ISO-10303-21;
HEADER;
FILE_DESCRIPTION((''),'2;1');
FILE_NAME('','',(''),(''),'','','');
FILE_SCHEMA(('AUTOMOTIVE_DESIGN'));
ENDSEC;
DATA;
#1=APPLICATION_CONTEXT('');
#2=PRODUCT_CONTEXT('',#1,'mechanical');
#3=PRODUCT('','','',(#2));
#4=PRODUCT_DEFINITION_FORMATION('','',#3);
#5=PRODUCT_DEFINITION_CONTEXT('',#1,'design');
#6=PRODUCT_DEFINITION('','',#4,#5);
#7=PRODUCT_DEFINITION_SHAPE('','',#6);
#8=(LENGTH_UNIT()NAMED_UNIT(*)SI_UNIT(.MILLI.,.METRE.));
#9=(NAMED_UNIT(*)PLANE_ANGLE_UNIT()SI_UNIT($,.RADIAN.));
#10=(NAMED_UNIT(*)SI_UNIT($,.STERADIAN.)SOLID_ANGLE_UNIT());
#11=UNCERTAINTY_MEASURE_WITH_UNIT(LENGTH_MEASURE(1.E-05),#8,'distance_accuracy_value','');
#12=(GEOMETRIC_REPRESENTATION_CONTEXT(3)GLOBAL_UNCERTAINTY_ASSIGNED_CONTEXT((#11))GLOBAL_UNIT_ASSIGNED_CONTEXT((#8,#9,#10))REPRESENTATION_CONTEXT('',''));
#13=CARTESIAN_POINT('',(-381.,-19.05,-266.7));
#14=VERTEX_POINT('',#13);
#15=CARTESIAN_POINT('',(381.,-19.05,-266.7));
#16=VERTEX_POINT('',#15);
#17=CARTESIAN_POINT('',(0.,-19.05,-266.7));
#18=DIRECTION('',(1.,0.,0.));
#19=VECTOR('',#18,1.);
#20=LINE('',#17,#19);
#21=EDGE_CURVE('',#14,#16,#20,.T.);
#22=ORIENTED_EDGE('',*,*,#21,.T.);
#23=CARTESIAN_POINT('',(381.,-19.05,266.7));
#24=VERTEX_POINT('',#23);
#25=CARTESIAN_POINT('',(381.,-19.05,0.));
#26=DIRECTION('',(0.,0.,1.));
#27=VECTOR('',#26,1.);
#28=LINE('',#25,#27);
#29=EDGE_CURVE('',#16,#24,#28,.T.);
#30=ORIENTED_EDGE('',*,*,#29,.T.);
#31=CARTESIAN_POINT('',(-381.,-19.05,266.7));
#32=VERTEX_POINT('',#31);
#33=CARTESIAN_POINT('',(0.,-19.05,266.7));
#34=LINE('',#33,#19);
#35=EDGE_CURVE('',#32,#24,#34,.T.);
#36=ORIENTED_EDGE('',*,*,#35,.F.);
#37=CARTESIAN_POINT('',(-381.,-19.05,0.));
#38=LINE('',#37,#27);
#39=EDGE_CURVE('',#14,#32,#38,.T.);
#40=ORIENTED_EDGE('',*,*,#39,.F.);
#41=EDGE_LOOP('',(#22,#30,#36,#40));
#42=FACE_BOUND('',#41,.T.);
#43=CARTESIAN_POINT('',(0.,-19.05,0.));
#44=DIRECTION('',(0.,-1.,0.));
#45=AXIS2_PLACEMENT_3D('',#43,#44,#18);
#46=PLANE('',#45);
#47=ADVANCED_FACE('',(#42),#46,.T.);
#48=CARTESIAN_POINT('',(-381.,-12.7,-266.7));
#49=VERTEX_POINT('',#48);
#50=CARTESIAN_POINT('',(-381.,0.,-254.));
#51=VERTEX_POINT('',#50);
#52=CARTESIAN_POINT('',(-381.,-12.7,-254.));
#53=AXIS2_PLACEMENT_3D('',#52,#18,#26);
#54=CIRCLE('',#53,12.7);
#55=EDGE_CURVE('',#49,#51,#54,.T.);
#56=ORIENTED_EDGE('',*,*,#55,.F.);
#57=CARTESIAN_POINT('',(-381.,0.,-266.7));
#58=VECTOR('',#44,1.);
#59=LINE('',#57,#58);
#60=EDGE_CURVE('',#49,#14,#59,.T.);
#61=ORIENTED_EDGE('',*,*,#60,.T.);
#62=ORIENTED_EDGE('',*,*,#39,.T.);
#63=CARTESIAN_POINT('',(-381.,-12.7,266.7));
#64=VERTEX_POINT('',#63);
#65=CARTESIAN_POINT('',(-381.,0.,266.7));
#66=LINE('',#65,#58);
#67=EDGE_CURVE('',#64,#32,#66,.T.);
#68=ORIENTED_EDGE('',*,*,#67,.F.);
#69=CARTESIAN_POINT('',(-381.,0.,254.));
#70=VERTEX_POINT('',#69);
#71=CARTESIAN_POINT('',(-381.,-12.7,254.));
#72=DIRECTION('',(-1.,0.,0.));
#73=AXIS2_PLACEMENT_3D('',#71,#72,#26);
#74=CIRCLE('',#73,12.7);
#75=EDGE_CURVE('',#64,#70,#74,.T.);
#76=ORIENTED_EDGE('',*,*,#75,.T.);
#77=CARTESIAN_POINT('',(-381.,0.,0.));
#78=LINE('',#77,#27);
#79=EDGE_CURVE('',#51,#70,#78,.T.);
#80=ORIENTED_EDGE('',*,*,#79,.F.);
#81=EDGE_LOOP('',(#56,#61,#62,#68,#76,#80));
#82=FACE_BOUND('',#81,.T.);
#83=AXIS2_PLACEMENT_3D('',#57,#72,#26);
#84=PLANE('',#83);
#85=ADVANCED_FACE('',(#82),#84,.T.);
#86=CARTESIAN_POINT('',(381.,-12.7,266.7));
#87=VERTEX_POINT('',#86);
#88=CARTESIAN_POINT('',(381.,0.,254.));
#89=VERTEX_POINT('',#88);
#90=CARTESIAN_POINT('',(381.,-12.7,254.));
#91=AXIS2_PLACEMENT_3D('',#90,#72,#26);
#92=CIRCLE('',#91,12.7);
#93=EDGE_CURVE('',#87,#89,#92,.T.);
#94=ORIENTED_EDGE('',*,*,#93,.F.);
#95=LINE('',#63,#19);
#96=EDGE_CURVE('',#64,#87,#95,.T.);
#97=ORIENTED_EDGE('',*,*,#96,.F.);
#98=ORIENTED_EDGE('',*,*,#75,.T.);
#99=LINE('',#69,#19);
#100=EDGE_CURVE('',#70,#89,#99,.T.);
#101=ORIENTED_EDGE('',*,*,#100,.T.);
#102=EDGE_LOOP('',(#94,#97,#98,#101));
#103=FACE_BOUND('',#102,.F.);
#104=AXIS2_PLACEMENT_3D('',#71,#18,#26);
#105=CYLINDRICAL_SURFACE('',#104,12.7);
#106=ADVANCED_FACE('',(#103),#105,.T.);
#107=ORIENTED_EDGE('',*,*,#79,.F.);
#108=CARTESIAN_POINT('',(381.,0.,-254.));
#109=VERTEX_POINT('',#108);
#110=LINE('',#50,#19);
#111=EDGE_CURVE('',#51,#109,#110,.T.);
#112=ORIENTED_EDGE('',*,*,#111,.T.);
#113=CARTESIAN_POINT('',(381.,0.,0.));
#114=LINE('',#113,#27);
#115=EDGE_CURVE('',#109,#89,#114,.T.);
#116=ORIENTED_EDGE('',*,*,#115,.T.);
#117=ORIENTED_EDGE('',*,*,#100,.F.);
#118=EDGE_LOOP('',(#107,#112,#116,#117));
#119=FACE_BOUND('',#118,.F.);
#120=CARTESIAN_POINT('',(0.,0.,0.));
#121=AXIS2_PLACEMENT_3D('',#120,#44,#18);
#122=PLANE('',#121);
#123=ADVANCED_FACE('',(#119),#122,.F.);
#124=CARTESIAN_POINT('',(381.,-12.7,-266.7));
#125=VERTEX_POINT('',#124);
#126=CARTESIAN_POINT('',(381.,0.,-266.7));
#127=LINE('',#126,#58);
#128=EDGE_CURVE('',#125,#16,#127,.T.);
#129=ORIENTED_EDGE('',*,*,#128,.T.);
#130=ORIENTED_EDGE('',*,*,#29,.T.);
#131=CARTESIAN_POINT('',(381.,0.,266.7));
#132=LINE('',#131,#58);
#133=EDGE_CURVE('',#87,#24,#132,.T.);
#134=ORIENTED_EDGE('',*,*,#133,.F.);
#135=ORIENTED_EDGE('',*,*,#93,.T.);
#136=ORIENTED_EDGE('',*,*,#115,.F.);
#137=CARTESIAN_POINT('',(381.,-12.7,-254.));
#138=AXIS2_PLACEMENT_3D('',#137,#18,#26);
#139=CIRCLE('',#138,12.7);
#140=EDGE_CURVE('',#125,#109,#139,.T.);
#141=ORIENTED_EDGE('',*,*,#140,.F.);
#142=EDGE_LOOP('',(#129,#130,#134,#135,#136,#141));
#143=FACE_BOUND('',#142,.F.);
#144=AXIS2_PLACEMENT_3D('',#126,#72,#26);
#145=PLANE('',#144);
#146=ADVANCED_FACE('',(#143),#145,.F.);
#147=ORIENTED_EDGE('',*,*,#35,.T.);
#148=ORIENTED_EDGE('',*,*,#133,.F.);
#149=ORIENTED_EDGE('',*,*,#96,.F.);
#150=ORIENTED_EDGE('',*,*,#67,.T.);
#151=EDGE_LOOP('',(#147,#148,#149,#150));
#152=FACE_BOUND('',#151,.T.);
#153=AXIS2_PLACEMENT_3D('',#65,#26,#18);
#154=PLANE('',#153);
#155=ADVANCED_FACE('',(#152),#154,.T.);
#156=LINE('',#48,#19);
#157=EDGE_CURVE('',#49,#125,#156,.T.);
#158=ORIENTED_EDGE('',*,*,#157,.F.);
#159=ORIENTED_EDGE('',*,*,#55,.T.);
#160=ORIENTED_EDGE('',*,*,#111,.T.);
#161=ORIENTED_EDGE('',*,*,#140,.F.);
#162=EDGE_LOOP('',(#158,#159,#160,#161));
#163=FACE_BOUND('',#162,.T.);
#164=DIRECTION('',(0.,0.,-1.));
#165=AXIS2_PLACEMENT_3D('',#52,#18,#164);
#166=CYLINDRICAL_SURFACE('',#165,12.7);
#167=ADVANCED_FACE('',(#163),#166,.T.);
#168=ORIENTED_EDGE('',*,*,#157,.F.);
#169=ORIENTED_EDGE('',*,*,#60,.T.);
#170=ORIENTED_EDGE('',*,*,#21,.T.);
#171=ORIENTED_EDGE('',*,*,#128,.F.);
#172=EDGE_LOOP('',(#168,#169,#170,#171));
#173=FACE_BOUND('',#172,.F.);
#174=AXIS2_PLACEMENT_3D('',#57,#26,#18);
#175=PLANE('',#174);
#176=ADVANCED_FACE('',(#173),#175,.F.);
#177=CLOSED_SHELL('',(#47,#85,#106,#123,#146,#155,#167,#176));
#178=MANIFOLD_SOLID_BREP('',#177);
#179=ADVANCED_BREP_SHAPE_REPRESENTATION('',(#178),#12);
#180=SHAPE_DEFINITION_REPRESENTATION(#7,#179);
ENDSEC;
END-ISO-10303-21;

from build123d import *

# Parameters (mm, degrees)
F0_W     = 762
F0_H     = 533.4
F1_DEPTH = 19.05
F2_R     = 12.7


with BuildPart() as f1:
    # F0 (on Front) → F1 (new body)
    with BuildSketch(Plane.XZ):
        Rectangle(F0_W, F0_H)
    extrude(amount=F1_DEPTH)

    # F2
    f2_edges = [f1.edges().sort_by_distance(p)[0] for p in [
        (0, 0, 266.7),
        (0, 0, -266.7),
    ]]
    fillet(f2_edges, radius=F2_R)


solid = f1.part
